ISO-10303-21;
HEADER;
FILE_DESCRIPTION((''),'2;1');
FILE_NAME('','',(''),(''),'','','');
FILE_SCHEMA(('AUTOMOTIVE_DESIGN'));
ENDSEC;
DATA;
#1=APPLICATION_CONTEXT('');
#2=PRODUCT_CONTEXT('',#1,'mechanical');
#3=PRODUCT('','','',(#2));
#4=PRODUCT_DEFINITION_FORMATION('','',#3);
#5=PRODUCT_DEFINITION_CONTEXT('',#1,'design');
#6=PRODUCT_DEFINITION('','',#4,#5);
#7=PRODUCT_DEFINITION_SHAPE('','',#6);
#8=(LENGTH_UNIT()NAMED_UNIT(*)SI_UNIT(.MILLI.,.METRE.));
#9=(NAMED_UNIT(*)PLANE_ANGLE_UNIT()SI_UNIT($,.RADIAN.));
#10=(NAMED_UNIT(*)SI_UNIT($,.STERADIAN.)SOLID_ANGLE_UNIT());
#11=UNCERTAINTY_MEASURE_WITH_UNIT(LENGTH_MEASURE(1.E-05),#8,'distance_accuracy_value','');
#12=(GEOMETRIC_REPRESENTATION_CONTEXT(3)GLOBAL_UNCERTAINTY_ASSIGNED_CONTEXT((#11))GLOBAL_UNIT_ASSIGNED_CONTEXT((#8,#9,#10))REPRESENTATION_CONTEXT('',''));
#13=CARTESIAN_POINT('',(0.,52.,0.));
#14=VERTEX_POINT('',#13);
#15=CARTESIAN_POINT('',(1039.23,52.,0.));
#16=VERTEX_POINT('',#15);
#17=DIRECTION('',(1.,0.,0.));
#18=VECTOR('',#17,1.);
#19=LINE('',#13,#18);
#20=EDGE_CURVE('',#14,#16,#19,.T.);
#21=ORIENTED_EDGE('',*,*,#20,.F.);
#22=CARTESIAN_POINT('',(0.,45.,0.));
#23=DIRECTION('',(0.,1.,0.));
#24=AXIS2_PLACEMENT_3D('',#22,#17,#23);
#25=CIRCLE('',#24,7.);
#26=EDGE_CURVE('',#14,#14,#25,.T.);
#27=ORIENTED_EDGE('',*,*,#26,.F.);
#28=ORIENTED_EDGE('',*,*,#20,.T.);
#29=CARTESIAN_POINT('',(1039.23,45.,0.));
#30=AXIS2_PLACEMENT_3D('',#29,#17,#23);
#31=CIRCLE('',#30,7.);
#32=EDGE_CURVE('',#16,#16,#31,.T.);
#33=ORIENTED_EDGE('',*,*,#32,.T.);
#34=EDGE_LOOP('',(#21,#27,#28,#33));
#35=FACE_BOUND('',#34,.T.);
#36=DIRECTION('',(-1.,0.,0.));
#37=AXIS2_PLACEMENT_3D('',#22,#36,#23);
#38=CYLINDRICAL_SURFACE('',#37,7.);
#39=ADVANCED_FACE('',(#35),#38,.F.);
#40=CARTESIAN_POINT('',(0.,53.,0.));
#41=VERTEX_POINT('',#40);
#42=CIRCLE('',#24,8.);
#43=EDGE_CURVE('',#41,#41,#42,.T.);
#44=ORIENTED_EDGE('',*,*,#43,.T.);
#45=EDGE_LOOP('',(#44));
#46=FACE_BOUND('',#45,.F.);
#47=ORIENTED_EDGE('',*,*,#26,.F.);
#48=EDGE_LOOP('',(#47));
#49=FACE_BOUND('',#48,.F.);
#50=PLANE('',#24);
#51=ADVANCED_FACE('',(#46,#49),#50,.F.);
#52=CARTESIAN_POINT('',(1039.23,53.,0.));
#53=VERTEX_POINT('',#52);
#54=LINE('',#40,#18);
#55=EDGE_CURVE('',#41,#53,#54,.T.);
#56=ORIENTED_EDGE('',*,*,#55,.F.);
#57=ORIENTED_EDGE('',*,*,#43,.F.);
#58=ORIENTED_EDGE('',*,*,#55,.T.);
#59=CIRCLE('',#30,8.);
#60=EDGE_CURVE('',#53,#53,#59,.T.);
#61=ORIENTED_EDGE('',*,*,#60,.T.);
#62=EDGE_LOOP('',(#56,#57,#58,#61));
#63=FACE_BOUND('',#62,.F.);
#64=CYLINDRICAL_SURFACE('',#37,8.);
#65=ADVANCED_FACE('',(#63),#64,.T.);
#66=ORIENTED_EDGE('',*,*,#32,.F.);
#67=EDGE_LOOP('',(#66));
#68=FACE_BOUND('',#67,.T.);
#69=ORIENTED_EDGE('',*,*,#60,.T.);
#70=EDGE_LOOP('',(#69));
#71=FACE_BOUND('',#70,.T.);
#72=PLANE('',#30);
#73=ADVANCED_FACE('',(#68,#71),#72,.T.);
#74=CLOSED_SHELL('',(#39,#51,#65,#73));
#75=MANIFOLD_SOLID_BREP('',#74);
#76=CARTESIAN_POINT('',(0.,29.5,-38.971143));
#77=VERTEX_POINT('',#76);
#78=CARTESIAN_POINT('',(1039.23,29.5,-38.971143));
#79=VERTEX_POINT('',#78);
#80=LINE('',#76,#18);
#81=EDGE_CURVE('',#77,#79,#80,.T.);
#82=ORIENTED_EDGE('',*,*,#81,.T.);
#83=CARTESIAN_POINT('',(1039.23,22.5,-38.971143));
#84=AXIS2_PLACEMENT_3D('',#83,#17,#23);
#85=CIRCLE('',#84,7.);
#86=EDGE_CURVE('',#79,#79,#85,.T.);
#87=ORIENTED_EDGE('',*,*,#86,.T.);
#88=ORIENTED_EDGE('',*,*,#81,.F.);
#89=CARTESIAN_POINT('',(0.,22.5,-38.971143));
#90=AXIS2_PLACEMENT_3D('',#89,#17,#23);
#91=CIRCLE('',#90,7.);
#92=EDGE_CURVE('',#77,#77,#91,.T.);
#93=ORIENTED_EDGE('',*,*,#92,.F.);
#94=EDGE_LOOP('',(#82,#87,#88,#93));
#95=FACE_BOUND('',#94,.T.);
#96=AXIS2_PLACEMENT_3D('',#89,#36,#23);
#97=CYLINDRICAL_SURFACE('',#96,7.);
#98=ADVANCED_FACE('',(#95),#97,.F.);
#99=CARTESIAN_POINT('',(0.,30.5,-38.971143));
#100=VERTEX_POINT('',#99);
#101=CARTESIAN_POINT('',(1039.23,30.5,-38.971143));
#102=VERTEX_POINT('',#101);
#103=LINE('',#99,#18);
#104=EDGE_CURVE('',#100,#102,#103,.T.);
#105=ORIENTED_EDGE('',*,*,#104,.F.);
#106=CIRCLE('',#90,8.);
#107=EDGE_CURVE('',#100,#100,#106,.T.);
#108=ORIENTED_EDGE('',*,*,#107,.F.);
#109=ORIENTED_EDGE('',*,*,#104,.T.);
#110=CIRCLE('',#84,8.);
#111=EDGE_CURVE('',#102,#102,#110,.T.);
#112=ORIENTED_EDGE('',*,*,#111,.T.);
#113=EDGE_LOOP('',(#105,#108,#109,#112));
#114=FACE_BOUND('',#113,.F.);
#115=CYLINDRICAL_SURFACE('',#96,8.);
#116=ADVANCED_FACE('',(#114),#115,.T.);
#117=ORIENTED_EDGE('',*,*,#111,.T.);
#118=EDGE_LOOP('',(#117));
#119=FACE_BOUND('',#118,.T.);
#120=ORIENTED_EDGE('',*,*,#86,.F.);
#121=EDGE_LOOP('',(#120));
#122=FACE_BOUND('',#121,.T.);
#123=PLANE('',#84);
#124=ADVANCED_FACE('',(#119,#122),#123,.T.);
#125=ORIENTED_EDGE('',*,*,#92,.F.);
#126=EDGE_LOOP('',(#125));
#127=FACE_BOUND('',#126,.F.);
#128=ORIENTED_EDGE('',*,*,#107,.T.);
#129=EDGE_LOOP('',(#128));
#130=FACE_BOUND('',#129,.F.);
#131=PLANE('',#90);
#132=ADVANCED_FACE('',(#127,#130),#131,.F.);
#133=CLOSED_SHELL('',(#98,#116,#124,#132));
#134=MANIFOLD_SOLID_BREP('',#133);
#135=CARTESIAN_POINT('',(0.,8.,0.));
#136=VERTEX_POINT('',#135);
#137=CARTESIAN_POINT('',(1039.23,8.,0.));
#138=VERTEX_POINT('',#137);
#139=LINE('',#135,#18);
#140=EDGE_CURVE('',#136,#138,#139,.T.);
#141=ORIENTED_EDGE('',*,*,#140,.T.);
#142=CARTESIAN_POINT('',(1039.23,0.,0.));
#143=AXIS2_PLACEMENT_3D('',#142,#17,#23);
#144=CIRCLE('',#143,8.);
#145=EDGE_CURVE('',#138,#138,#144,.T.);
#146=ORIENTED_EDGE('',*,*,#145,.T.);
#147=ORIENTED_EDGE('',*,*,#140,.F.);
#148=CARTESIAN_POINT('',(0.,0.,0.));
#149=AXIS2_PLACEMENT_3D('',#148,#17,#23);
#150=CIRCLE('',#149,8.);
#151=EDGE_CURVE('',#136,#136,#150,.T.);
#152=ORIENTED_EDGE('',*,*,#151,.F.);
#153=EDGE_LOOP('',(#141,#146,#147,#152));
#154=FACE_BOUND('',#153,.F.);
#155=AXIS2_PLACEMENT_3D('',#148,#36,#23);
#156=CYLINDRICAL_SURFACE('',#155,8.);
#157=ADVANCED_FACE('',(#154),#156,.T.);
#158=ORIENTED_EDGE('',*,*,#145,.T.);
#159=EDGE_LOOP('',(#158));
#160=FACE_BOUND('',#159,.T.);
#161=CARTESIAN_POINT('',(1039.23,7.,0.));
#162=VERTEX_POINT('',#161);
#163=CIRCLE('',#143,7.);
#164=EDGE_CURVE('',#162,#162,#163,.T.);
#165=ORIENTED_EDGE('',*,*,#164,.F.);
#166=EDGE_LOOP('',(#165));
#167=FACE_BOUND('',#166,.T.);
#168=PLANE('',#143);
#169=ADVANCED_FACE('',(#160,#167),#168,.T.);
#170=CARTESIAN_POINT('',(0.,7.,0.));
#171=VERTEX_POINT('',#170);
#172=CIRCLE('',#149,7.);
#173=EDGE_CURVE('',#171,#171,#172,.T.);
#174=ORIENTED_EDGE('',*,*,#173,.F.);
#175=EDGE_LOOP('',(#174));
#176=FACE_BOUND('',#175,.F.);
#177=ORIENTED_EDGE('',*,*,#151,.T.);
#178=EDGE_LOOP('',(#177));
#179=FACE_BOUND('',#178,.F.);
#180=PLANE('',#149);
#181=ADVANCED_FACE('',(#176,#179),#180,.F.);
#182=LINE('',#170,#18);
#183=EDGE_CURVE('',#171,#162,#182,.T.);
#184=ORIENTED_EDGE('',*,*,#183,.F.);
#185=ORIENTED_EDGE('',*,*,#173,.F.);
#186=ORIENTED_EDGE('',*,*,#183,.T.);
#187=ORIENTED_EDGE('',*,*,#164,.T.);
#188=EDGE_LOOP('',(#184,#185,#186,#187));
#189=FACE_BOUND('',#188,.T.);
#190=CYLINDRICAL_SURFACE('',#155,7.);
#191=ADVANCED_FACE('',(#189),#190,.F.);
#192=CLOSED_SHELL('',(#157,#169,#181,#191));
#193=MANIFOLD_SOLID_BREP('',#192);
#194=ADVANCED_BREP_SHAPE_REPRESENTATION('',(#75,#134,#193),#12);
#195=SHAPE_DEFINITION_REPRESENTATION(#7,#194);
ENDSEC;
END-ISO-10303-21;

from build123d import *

# Parameters (mm, degrees)
F0_R     = 8
F0_R_2   = 7
F1_DEPTH = 1039.23


with BuildPart() as f1:
    # F0 (on Right) → F1 (new body)
    with BuildSketch(Plane.YZ):
        Circle(F0_R)
        Circle(F0_R_2, mode=Mode.SUBTRACT)
        with Locations((45, 0)):
            Circle(F0_R)
        with Locations((45, 0)):
            Circle(F0_R_2, mode=Mode.SUBTRACT)
        with Locations((22.5, -38.971143)):
            Circle(F0_R)
        with Locations((22.5, -38.971143)):
            Circle(F0_R_2, mode=Mode.SUBTRACT)
    extrude(amount=F1_DEPTH)


solid = f1.part
